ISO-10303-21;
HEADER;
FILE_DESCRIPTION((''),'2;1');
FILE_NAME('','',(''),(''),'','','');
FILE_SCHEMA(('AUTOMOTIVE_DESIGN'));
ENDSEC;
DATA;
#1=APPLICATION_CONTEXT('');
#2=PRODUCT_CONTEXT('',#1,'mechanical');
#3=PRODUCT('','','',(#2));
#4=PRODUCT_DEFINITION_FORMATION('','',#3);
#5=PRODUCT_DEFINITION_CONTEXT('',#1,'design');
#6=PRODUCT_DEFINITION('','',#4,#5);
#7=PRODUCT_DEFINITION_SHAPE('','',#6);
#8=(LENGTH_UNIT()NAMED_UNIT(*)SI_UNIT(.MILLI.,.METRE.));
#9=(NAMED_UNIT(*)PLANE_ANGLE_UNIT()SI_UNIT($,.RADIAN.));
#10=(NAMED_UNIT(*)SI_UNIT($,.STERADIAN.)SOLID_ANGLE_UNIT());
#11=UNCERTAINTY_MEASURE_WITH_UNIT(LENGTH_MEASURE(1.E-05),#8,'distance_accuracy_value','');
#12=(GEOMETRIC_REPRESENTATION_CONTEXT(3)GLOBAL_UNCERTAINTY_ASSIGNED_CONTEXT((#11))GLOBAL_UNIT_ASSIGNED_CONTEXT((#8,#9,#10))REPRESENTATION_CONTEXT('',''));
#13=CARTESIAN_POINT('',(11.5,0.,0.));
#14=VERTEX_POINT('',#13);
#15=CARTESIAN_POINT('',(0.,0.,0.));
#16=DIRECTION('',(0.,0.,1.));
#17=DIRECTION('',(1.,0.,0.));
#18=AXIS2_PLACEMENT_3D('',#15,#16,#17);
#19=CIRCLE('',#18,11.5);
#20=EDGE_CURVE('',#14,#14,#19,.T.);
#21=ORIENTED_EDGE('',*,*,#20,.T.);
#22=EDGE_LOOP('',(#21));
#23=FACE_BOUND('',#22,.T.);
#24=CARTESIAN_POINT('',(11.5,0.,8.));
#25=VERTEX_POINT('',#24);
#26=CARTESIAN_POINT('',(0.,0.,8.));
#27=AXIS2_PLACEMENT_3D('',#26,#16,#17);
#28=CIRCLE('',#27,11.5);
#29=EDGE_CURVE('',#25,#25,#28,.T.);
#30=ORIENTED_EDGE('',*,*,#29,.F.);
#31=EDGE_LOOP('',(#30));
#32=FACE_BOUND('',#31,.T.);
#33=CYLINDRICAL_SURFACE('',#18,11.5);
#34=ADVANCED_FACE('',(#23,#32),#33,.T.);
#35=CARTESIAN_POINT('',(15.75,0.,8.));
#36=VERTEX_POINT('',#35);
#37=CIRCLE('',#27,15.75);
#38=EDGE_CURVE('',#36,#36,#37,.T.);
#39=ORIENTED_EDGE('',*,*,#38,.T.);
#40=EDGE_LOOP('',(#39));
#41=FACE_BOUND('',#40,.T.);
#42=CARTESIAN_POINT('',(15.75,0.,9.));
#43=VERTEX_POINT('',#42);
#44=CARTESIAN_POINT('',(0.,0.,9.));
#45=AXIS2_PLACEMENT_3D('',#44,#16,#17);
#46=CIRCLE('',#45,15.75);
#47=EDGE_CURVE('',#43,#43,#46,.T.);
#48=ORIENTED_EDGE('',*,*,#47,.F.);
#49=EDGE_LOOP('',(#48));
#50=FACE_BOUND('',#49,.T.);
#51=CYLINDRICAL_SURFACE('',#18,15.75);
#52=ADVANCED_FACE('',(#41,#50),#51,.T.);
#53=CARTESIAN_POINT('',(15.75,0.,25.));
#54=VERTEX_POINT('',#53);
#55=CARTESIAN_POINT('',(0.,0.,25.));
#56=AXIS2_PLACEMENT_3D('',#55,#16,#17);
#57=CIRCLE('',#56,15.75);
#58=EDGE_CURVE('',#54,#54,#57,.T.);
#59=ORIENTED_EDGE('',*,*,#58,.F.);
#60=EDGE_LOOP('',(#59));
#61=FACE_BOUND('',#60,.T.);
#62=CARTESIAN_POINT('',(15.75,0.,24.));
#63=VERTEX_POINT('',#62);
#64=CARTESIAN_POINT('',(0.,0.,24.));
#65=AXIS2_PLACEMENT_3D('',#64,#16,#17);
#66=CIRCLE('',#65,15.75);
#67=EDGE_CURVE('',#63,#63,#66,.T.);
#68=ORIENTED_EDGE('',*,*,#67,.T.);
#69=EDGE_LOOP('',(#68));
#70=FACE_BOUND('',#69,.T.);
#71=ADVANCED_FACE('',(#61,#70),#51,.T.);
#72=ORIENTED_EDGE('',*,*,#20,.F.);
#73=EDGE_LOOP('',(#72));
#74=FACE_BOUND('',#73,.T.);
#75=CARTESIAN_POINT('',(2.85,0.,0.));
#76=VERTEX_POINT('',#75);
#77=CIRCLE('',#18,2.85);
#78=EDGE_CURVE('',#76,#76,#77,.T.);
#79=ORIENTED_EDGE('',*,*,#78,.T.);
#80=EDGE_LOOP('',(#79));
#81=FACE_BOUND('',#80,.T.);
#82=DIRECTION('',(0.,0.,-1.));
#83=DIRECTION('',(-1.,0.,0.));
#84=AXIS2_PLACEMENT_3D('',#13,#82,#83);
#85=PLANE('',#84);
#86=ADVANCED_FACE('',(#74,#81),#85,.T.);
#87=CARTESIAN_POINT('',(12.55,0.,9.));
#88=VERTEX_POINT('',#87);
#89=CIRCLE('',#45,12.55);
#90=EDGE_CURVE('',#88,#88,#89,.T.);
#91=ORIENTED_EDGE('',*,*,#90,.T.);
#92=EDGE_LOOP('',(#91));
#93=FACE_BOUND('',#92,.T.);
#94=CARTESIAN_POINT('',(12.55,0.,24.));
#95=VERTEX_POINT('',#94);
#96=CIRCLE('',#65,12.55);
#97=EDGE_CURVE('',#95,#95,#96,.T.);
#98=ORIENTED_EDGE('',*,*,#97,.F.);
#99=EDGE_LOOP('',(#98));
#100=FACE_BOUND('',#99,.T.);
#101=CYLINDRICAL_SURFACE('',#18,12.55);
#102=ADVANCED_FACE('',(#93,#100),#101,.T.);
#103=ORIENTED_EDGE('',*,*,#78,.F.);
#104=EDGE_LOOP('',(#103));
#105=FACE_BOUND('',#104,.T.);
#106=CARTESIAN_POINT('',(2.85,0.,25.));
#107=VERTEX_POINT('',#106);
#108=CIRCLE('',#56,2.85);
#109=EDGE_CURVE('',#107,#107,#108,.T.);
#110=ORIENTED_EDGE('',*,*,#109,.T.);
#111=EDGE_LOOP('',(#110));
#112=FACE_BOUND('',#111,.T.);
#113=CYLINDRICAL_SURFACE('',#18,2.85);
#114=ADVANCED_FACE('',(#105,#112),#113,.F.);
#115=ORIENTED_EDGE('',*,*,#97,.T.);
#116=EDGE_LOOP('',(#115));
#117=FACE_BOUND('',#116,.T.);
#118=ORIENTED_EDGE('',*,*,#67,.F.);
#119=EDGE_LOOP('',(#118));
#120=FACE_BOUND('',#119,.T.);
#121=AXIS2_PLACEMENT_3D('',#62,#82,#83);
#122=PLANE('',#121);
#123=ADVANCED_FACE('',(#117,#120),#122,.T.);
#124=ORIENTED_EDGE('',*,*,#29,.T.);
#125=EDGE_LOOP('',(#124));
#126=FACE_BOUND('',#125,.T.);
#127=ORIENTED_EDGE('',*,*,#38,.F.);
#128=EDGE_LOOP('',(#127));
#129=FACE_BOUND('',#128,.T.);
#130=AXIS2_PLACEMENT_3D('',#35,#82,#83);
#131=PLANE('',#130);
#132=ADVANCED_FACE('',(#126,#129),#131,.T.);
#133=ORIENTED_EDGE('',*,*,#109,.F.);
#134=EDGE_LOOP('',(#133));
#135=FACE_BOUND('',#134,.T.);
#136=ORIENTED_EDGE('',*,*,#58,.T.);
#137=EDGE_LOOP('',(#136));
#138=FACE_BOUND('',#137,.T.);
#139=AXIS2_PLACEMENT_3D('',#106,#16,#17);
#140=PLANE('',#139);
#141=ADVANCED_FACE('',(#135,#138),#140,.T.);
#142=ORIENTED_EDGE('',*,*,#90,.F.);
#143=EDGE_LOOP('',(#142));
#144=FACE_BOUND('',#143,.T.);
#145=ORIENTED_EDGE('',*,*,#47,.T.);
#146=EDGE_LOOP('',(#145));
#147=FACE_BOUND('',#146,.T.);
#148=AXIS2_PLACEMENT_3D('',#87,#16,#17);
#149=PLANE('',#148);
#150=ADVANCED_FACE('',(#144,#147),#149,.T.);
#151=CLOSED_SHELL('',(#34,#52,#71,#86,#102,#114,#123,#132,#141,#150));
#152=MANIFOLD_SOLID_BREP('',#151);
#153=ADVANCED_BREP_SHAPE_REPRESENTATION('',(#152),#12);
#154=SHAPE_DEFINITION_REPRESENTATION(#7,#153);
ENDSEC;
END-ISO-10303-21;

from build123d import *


with BuildPart() as part:
    # Esquisse1 → Révolution1 (revolve)
    with BuildSketch(Plane(origin=(0, 0, 0), x_dir=(1, 0, 0), z_dir=(0, 1, 0))):
        Polygon((15.75, -9), (15.75, -8), (11.5, -8), (11.5, 0), (2.85, 0), (2.85, -25), (15.75, -25), (15.75, -24), (12.55, -24), (12.55, -9), align=None)
    revolve(axis=Axis((0, 0, 0), (0, 0, 1)))


solid = part.part
